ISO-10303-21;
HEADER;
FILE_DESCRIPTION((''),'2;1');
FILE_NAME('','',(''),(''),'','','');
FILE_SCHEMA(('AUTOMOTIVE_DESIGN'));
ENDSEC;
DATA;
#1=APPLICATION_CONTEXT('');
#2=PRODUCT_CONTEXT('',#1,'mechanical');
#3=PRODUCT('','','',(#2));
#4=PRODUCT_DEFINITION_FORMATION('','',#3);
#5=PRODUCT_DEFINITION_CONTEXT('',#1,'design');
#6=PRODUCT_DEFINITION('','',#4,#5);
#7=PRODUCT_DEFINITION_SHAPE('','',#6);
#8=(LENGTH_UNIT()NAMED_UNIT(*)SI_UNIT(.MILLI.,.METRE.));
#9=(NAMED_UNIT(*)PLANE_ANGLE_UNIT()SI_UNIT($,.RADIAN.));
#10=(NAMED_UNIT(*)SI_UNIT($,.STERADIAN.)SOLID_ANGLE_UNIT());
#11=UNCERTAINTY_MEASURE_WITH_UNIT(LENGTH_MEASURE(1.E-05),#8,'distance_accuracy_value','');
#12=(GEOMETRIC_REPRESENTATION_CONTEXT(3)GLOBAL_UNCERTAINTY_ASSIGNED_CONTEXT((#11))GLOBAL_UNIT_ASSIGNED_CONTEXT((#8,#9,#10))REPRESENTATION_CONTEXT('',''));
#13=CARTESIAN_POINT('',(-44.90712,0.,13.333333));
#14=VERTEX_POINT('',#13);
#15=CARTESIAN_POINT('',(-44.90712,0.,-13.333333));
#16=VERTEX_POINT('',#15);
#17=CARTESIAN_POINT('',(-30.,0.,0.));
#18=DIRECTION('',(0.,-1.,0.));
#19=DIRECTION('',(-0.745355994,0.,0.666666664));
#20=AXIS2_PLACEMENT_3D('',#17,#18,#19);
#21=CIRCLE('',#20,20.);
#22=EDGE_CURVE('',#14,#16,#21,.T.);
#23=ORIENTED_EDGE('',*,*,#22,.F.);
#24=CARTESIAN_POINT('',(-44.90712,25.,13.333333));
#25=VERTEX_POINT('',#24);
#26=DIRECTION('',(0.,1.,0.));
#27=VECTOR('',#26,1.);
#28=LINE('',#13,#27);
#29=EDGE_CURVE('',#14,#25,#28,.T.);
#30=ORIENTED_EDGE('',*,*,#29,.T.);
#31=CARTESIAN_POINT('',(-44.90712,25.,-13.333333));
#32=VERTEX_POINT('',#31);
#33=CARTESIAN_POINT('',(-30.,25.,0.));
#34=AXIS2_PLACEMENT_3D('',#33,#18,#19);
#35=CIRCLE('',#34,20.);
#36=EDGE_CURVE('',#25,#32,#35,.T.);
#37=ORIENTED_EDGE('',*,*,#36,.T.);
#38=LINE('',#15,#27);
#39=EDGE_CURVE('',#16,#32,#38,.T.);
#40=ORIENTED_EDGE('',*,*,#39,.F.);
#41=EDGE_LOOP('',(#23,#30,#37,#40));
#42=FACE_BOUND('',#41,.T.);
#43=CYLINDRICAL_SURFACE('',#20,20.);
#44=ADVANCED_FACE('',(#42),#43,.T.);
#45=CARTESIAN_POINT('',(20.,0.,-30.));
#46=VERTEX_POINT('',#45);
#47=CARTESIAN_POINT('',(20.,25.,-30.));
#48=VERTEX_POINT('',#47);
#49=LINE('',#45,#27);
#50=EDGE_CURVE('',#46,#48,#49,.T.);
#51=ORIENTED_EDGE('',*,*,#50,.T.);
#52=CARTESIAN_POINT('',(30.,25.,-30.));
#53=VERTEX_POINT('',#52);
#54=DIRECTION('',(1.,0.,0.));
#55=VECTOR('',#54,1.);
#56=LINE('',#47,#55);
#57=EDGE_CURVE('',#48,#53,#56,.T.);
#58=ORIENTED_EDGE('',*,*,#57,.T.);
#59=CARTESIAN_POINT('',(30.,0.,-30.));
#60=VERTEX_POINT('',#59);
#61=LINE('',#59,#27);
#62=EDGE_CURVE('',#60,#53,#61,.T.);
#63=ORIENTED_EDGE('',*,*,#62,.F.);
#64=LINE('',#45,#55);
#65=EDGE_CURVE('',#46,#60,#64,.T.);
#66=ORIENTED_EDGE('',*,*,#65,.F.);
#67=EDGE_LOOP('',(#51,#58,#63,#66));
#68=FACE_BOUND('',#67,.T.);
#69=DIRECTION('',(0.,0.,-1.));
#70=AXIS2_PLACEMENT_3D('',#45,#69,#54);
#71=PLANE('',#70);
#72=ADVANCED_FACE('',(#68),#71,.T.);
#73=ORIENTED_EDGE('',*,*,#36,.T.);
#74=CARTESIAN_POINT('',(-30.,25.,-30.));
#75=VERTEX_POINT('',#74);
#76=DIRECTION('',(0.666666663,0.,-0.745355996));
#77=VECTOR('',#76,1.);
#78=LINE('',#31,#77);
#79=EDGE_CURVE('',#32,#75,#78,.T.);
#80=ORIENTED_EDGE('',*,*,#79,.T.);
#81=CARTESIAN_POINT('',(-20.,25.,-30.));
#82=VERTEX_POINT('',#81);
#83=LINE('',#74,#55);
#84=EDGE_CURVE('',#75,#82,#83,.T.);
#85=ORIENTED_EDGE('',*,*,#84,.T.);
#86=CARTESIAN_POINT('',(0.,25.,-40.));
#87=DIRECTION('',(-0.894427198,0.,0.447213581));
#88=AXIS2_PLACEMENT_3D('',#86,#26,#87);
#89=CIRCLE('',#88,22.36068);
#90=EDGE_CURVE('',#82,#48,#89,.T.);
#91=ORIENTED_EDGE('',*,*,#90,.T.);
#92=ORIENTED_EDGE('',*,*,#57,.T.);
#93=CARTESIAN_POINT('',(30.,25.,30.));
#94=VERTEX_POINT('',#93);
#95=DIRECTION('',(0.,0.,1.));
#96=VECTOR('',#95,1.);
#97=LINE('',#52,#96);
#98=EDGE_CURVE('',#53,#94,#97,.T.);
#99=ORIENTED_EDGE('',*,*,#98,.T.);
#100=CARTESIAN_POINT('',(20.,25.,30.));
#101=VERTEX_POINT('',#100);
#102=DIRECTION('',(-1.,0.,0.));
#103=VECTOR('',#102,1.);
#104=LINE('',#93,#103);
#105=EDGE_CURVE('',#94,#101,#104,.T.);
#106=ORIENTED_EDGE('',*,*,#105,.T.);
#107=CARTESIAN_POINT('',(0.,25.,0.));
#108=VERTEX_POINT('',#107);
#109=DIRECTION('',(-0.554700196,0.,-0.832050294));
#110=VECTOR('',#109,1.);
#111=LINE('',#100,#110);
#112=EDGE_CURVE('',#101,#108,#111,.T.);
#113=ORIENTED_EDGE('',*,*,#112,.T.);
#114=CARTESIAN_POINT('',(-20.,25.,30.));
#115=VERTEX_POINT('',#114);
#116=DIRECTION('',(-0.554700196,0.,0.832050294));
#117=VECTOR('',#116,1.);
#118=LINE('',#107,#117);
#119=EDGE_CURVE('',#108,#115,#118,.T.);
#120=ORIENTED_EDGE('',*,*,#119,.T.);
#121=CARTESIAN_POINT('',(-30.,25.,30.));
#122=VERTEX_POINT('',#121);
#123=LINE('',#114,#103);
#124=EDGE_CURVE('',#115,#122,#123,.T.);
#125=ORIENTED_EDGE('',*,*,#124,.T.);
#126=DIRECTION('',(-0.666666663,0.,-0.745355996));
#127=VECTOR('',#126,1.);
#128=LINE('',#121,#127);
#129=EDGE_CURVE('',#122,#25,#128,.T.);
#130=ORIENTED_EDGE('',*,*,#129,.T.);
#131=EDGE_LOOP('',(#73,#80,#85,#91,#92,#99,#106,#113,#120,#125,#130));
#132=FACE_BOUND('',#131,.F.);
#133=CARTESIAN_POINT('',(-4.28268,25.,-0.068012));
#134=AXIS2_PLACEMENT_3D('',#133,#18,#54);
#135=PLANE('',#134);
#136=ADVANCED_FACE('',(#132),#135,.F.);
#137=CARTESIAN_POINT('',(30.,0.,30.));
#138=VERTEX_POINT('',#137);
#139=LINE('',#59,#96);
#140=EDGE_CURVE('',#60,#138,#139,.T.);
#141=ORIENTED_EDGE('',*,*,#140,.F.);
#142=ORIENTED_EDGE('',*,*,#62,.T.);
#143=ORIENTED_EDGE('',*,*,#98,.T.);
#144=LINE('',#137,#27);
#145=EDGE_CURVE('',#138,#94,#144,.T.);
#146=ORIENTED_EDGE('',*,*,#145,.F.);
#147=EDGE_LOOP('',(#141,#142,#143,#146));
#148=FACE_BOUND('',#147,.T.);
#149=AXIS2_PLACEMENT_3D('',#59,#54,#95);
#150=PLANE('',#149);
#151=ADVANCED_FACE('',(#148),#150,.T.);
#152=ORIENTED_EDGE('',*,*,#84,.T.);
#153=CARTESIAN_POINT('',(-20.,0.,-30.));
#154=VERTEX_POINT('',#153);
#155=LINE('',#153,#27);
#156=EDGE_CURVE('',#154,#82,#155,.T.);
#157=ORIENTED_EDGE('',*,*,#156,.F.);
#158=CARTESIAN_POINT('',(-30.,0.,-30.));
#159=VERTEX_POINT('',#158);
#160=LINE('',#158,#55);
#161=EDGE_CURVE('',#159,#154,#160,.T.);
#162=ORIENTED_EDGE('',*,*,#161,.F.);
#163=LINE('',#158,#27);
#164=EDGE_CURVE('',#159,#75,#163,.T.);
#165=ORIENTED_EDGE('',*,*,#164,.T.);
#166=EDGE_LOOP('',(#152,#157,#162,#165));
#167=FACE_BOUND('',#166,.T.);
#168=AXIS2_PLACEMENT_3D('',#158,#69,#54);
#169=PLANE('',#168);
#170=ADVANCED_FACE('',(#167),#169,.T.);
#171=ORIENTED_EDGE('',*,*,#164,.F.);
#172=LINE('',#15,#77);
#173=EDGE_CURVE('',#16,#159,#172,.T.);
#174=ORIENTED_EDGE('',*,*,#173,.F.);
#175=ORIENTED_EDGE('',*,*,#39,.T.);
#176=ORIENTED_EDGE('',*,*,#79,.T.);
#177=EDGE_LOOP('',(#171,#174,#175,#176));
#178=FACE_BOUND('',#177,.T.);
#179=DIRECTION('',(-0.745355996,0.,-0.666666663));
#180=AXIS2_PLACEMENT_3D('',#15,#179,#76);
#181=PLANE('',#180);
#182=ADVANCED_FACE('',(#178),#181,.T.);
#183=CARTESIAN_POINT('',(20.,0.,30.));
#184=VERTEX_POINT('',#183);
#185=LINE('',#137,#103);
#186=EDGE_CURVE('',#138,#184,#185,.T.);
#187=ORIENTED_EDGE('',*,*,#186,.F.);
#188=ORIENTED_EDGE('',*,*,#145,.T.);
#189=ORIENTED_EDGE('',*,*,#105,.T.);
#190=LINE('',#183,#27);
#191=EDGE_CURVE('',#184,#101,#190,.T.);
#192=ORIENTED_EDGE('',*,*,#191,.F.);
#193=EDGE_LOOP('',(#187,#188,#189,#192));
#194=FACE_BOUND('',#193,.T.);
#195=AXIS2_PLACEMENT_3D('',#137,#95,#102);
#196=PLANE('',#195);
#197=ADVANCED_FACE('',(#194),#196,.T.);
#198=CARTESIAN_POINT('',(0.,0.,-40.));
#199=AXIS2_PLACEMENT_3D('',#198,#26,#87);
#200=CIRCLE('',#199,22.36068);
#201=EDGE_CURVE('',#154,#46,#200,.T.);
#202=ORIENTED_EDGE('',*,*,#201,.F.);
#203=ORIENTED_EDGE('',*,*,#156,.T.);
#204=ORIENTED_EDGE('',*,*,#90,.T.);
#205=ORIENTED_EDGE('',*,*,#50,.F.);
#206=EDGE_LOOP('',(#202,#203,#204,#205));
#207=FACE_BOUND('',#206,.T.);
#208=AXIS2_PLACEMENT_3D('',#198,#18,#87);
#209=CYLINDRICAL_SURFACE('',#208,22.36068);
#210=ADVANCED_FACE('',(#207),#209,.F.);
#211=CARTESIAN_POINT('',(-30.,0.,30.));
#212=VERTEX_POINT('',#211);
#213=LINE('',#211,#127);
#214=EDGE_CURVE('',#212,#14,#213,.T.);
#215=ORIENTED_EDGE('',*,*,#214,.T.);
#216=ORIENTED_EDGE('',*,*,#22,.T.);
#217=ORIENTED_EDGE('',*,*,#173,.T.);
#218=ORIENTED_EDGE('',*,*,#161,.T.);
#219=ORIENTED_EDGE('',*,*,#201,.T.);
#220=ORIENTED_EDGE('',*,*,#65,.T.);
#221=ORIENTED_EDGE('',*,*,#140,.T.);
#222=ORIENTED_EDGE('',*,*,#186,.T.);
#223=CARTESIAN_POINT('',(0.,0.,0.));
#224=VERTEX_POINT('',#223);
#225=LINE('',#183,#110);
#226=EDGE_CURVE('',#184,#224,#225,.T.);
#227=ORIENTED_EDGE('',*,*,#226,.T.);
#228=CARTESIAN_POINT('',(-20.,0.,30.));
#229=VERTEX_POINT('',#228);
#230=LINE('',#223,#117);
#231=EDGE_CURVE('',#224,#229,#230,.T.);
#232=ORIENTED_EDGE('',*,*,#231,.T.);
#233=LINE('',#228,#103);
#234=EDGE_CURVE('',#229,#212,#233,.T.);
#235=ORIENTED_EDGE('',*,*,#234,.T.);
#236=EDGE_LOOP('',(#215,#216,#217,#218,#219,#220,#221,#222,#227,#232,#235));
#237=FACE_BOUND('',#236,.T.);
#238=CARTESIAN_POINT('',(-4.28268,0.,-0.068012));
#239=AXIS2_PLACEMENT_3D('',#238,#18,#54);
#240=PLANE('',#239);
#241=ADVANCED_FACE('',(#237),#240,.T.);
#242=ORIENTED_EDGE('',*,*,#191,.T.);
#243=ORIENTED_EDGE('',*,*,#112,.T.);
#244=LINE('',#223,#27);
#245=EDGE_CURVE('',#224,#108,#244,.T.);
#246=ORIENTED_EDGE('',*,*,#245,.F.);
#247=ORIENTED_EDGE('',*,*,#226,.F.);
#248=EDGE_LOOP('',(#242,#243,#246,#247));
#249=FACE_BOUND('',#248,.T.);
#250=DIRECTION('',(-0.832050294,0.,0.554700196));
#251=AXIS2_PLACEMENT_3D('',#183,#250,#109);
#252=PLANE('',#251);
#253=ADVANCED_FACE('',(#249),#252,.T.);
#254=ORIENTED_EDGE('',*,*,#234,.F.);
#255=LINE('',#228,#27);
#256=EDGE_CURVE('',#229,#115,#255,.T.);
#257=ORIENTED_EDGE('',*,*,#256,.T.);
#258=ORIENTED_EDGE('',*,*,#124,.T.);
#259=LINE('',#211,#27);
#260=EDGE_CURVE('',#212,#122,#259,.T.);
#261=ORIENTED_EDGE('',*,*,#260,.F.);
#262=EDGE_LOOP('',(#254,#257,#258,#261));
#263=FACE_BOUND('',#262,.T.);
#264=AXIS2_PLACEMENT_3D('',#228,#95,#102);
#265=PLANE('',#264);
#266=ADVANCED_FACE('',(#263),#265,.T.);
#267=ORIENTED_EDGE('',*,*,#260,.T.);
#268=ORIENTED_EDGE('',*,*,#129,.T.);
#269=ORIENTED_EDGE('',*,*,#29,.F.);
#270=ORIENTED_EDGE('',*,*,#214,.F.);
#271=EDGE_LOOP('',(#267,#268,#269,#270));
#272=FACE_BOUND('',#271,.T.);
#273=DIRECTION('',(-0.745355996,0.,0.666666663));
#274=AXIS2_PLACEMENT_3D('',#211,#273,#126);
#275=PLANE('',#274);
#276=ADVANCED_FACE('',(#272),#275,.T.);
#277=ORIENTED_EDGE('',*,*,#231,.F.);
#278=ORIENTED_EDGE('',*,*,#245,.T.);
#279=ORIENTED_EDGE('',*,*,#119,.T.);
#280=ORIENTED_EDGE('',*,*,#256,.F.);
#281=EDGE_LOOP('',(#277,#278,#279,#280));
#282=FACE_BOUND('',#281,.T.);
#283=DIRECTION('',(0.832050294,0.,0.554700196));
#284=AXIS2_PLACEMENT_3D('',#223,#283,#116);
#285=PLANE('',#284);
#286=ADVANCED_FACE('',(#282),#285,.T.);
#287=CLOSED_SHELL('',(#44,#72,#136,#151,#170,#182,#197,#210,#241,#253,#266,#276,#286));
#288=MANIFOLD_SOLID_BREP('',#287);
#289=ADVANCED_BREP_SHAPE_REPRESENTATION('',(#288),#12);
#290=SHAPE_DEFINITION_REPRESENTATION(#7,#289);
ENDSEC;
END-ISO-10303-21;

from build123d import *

# Parameters (mm, degrees)
F1_DEPTH = 25


with BuildPart() as f1:
    # F0 (on Front) → F1 (new body)
    with BuildSketch(Plane.XZ):
        with BuildLine():
            Line((20, 30), (0, 0))
            Line((0, 0), (-20, 30))
            Line((-20, 30), (-30, 30))
            Line((-30, 30), (-44.90712, 13.333333))
            ThreePointArc((-44.90712, 13.333333), (-50, 0), (-44.90712, -13.333333))
            Line((-44.90712, -13.333333), (-30, -30))
            Line((-30, -30), (-20, -30))
            ThreePointArc((-20, -30), (0, -17.63932), (20, -30))
            Line((20, -30), (30, -30))
            Line((30, -30), (30, 30))
            Line((30, 30), (20, 30))
        make_face()
    extrude(amount=-F1_DEPTH)


solid = f1.part
